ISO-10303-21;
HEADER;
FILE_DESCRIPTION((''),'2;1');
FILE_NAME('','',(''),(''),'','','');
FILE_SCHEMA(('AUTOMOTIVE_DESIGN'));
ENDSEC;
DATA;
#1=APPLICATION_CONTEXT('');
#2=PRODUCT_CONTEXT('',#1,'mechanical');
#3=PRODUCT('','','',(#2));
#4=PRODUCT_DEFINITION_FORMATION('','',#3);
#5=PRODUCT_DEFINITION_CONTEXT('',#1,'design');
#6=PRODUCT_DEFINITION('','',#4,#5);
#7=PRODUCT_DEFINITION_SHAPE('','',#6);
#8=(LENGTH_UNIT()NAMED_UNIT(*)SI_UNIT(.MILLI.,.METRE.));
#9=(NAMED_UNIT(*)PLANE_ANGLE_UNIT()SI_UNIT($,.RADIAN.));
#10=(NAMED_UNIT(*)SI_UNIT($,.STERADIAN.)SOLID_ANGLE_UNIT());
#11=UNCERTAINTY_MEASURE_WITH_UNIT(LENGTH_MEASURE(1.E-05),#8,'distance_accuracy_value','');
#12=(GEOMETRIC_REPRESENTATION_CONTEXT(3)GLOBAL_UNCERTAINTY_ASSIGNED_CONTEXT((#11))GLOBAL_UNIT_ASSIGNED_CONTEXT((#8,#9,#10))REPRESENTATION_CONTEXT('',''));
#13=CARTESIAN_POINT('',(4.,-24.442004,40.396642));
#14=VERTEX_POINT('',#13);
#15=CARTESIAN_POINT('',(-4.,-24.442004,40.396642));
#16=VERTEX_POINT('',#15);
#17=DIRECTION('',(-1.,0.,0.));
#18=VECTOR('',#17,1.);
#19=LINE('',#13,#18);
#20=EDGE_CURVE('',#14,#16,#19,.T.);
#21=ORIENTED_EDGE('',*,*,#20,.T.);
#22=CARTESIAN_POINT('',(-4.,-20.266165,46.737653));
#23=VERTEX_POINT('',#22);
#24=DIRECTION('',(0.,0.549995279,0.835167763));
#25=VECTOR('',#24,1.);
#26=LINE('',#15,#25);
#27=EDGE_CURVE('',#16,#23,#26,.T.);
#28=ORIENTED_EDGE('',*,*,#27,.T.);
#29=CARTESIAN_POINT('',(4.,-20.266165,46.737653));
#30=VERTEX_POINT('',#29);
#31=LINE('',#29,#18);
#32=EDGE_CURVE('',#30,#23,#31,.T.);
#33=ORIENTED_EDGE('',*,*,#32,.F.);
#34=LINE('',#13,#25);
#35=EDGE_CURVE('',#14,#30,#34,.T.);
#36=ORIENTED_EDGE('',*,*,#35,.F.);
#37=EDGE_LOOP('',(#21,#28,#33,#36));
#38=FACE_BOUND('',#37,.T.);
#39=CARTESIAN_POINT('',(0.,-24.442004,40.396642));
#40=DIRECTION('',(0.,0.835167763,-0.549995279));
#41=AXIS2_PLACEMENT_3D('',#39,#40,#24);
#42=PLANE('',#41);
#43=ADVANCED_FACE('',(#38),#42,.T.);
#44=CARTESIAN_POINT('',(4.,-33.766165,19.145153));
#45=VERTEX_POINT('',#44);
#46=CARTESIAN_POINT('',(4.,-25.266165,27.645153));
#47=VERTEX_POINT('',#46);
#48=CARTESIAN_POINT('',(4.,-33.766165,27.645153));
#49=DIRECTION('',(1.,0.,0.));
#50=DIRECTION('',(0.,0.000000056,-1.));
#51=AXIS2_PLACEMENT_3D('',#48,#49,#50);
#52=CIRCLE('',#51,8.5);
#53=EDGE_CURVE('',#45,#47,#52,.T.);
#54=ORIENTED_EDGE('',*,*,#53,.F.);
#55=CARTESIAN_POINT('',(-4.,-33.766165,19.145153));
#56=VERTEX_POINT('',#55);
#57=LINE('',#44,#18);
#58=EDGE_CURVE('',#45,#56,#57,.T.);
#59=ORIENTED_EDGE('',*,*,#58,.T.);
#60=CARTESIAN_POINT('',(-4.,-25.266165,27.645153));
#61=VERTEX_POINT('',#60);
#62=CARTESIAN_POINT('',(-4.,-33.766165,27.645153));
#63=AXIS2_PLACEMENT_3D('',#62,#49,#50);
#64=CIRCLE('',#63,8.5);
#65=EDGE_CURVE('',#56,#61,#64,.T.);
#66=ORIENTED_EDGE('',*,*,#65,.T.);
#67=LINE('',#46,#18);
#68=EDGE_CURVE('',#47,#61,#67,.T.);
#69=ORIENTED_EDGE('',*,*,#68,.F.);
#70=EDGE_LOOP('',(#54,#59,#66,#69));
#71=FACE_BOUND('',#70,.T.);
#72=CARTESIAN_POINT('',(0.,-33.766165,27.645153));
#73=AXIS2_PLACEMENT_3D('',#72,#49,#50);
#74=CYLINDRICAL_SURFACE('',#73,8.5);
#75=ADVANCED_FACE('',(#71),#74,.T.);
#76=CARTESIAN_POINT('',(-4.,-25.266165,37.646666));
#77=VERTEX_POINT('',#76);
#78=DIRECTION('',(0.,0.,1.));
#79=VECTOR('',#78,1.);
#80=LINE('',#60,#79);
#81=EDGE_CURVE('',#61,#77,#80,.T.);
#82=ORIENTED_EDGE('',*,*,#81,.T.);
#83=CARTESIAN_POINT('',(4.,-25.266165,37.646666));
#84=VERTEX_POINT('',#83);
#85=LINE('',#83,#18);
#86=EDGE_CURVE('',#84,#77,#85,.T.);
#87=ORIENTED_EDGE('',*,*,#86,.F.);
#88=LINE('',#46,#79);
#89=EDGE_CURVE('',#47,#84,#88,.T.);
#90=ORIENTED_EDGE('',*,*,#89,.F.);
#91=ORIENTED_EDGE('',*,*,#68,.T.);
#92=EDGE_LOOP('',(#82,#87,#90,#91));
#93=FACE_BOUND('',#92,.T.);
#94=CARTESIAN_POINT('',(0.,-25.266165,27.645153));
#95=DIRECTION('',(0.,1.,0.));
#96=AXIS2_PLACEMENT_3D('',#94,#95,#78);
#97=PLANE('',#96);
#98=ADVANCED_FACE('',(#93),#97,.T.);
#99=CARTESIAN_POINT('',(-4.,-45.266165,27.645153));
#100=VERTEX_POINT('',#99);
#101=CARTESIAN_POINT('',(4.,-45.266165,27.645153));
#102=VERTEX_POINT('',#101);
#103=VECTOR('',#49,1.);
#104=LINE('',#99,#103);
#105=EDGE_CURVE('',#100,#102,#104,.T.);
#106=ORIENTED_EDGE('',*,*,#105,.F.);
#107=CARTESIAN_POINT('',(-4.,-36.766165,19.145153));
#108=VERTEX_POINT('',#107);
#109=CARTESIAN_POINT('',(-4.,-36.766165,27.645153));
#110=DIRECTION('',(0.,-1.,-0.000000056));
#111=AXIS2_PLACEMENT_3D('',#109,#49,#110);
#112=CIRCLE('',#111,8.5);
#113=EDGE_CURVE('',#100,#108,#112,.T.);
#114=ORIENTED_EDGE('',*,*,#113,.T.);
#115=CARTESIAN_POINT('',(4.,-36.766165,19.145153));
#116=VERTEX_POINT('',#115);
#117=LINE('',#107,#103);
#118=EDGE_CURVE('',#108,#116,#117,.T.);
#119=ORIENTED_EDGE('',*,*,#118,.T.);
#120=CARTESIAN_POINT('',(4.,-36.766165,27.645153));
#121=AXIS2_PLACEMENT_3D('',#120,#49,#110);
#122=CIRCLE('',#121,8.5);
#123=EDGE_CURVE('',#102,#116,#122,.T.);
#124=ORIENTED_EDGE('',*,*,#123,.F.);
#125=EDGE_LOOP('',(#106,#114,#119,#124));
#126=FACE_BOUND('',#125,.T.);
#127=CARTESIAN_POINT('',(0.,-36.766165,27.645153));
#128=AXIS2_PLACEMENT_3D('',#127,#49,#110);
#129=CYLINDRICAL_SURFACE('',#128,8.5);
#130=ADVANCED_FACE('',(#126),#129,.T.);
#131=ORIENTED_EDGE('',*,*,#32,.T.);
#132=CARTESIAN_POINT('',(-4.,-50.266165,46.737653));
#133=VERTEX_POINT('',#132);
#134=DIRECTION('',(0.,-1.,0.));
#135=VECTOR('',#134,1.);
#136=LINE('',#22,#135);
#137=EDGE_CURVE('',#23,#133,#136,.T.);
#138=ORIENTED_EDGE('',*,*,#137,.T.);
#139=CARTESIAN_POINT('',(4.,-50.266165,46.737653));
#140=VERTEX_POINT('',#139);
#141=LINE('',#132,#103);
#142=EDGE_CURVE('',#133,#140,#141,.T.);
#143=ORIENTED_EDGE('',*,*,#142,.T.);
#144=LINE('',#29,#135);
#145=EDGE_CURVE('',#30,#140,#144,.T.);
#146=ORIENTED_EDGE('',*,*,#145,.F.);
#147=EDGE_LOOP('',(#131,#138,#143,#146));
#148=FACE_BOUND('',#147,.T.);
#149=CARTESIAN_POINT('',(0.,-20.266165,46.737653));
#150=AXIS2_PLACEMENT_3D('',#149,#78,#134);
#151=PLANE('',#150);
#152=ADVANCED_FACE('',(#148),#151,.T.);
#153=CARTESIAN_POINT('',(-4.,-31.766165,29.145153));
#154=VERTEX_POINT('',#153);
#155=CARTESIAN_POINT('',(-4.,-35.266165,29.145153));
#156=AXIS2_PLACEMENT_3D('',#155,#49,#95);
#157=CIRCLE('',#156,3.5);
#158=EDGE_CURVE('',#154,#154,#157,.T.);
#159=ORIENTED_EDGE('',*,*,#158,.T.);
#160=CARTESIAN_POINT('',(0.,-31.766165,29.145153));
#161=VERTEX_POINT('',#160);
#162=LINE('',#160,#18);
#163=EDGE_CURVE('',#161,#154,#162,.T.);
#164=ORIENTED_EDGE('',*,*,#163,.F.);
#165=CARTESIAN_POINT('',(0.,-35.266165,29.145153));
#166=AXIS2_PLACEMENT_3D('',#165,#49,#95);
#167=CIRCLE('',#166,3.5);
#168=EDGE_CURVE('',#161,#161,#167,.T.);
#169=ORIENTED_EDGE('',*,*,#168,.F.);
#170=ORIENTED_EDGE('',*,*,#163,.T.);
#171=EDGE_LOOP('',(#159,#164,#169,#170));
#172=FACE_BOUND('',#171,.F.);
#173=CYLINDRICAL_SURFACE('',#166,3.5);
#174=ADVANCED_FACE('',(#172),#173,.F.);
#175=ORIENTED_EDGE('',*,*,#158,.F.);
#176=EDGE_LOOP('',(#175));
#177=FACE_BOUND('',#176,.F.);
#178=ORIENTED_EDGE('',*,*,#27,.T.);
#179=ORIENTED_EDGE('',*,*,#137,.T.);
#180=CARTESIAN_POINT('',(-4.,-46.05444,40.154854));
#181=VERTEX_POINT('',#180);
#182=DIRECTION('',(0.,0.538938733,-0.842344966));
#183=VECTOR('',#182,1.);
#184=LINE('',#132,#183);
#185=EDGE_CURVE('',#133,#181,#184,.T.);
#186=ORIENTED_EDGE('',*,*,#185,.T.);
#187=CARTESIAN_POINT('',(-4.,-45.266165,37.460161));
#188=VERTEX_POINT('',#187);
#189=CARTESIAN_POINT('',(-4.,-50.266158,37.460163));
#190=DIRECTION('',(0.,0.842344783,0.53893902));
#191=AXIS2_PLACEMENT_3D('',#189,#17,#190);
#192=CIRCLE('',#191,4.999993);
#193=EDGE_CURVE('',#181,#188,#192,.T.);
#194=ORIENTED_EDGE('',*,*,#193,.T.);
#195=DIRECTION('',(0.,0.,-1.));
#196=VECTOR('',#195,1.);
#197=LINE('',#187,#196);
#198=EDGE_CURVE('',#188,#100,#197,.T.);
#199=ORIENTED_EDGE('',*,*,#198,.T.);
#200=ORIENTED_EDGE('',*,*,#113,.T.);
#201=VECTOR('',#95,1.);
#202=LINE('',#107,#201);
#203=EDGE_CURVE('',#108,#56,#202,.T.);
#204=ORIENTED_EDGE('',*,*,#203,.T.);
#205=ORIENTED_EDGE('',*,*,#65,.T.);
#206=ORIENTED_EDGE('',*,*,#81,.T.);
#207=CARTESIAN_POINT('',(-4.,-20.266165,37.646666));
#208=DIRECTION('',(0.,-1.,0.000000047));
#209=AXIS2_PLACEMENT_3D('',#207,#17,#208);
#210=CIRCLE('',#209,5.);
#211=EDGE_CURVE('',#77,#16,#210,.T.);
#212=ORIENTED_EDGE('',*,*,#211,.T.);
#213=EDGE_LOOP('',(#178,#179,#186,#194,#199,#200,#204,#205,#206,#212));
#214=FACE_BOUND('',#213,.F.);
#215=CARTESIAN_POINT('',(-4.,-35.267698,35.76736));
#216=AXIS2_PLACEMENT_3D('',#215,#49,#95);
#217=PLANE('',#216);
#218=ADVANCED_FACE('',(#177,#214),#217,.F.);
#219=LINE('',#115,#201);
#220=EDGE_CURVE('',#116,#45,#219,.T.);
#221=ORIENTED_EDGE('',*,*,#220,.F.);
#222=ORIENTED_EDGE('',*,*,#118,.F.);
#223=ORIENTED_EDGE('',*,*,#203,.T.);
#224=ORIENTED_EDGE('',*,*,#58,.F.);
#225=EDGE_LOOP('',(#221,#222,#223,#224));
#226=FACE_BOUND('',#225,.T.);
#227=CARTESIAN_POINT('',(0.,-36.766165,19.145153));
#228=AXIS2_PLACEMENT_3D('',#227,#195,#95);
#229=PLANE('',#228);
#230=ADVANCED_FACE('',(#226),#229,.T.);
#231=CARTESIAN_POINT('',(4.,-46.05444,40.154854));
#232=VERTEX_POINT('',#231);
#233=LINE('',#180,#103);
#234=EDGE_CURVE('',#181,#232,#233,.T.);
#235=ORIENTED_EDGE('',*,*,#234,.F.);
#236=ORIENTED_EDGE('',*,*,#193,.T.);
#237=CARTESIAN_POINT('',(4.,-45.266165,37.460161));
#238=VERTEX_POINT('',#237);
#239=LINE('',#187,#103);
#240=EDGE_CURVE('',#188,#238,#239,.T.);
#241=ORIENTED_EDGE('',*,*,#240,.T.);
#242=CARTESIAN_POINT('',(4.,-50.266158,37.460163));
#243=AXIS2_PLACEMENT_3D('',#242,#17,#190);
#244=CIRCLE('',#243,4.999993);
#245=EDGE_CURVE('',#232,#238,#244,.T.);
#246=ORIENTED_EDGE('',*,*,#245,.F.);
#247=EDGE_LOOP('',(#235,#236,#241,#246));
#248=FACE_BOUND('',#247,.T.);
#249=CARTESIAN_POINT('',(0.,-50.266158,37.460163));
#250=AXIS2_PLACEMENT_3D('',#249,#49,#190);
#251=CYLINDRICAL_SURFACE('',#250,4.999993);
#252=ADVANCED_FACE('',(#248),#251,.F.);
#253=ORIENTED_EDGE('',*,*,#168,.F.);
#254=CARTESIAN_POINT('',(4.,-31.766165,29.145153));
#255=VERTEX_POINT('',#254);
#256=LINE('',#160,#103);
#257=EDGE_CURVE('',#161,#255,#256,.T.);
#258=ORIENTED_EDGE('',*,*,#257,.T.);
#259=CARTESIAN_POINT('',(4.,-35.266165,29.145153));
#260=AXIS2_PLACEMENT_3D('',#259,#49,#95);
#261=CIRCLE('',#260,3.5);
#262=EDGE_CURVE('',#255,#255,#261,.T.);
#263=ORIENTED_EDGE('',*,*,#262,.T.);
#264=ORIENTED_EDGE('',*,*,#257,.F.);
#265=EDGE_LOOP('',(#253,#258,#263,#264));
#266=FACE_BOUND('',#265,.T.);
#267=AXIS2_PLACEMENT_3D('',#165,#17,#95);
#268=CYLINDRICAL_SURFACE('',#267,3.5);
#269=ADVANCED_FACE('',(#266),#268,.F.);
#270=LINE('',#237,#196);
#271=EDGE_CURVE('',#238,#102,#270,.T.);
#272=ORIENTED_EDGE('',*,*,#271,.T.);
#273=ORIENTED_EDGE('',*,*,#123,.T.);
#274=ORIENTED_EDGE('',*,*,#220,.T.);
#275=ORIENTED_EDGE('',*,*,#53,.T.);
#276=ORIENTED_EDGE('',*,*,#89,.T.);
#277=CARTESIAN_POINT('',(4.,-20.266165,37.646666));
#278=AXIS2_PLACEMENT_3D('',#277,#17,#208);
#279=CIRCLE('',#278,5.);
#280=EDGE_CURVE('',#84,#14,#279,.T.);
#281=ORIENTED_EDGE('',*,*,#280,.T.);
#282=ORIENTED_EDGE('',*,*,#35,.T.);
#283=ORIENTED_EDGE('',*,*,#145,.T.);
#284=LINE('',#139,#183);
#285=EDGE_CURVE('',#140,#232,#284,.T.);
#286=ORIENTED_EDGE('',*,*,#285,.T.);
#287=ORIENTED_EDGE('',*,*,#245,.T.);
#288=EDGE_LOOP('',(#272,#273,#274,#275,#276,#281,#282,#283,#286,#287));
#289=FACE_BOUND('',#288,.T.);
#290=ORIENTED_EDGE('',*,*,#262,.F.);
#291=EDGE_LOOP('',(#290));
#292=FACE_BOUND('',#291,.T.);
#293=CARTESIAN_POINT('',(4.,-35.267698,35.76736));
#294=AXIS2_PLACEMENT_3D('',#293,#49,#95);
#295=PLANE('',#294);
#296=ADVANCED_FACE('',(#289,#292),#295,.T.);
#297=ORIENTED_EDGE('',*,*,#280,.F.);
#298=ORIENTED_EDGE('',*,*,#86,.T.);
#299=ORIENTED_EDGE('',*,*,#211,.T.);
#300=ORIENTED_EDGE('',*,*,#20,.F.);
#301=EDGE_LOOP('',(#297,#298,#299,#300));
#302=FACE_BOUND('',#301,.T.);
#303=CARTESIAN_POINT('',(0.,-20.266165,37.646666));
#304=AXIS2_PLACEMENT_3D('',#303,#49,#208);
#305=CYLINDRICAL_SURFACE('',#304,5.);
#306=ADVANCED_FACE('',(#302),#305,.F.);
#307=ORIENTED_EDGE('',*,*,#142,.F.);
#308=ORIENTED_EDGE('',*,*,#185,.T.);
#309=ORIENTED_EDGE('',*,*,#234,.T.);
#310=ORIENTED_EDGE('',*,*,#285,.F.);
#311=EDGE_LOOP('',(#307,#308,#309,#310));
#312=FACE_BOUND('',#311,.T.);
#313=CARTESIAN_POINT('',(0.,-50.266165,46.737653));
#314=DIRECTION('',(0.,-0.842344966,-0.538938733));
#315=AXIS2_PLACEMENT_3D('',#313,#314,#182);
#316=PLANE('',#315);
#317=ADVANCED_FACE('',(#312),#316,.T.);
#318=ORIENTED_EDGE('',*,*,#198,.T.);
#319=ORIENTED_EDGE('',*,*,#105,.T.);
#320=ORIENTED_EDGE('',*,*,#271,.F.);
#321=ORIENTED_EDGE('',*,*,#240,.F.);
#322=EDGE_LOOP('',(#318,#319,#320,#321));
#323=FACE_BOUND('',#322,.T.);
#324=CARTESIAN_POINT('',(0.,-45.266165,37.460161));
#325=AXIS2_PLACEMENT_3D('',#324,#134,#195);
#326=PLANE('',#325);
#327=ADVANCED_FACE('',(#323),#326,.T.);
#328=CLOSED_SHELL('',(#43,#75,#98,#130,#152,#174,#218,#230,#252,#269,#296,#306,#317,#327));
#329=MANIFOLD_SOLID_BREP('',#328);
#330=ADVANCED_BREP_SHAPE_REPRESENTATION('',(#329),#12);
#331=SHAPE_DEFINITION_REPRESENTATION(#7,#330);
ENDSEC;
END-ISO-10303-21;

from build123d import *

# Parameters (mm, degrees)
F0_R          = 3.5
F1_DEPTH      = 4
F1_DEPTH_BACK = 4


with BuildPart() as f1:
    # F0 (on Right) → F1 (new body, two sides)
    with BuildSketch(Plane.YZ) as f1_sk:
        with BuildLine():
            Line((-20.266165, 46.737653), (-50.266165, 46.737653))
            Line((-50.266165, 46.737653), (-46.05444, 40.154854))
            ThreePointArc((-46.05444, 40.154854), (-45.467278, 38.863972), (-45.266165, 37.460161))
            Line((-45.266165, 37.460161), (-45.266165, 27.645153))
            ThreePointArc((-45.266165, 27.645153), (-42.776573, 21.634746), (-36.766165, 19.145153))
            Line((-36.766165, 19.145153), (-33.766165, 19.145153))
            ThreePointArc((-33.766165, 19.145153), (-27.755757, 21.634746), (-25.266165, 27.645153))
            Line((-25.266165, 27.645153), (-25.266165, 37.646666))
            ThreePointArc((-25.266165, 37.646666), (-25.055695, 39.082076), (-24.442004, 40.396642))
            Line((-24.442004, 40.396642), (-20.266165, 46.737653))
        make_face()
        with Locations((-35.266165, 29.145153)):
            Circle(F0_R, mode=Mode.SUBTRACT)
    extrude(amount=F1_DEPTH)
    extrude(f1_sk.sketch, amount=-F1_DEPTH_BACK)


solid = f1.part
